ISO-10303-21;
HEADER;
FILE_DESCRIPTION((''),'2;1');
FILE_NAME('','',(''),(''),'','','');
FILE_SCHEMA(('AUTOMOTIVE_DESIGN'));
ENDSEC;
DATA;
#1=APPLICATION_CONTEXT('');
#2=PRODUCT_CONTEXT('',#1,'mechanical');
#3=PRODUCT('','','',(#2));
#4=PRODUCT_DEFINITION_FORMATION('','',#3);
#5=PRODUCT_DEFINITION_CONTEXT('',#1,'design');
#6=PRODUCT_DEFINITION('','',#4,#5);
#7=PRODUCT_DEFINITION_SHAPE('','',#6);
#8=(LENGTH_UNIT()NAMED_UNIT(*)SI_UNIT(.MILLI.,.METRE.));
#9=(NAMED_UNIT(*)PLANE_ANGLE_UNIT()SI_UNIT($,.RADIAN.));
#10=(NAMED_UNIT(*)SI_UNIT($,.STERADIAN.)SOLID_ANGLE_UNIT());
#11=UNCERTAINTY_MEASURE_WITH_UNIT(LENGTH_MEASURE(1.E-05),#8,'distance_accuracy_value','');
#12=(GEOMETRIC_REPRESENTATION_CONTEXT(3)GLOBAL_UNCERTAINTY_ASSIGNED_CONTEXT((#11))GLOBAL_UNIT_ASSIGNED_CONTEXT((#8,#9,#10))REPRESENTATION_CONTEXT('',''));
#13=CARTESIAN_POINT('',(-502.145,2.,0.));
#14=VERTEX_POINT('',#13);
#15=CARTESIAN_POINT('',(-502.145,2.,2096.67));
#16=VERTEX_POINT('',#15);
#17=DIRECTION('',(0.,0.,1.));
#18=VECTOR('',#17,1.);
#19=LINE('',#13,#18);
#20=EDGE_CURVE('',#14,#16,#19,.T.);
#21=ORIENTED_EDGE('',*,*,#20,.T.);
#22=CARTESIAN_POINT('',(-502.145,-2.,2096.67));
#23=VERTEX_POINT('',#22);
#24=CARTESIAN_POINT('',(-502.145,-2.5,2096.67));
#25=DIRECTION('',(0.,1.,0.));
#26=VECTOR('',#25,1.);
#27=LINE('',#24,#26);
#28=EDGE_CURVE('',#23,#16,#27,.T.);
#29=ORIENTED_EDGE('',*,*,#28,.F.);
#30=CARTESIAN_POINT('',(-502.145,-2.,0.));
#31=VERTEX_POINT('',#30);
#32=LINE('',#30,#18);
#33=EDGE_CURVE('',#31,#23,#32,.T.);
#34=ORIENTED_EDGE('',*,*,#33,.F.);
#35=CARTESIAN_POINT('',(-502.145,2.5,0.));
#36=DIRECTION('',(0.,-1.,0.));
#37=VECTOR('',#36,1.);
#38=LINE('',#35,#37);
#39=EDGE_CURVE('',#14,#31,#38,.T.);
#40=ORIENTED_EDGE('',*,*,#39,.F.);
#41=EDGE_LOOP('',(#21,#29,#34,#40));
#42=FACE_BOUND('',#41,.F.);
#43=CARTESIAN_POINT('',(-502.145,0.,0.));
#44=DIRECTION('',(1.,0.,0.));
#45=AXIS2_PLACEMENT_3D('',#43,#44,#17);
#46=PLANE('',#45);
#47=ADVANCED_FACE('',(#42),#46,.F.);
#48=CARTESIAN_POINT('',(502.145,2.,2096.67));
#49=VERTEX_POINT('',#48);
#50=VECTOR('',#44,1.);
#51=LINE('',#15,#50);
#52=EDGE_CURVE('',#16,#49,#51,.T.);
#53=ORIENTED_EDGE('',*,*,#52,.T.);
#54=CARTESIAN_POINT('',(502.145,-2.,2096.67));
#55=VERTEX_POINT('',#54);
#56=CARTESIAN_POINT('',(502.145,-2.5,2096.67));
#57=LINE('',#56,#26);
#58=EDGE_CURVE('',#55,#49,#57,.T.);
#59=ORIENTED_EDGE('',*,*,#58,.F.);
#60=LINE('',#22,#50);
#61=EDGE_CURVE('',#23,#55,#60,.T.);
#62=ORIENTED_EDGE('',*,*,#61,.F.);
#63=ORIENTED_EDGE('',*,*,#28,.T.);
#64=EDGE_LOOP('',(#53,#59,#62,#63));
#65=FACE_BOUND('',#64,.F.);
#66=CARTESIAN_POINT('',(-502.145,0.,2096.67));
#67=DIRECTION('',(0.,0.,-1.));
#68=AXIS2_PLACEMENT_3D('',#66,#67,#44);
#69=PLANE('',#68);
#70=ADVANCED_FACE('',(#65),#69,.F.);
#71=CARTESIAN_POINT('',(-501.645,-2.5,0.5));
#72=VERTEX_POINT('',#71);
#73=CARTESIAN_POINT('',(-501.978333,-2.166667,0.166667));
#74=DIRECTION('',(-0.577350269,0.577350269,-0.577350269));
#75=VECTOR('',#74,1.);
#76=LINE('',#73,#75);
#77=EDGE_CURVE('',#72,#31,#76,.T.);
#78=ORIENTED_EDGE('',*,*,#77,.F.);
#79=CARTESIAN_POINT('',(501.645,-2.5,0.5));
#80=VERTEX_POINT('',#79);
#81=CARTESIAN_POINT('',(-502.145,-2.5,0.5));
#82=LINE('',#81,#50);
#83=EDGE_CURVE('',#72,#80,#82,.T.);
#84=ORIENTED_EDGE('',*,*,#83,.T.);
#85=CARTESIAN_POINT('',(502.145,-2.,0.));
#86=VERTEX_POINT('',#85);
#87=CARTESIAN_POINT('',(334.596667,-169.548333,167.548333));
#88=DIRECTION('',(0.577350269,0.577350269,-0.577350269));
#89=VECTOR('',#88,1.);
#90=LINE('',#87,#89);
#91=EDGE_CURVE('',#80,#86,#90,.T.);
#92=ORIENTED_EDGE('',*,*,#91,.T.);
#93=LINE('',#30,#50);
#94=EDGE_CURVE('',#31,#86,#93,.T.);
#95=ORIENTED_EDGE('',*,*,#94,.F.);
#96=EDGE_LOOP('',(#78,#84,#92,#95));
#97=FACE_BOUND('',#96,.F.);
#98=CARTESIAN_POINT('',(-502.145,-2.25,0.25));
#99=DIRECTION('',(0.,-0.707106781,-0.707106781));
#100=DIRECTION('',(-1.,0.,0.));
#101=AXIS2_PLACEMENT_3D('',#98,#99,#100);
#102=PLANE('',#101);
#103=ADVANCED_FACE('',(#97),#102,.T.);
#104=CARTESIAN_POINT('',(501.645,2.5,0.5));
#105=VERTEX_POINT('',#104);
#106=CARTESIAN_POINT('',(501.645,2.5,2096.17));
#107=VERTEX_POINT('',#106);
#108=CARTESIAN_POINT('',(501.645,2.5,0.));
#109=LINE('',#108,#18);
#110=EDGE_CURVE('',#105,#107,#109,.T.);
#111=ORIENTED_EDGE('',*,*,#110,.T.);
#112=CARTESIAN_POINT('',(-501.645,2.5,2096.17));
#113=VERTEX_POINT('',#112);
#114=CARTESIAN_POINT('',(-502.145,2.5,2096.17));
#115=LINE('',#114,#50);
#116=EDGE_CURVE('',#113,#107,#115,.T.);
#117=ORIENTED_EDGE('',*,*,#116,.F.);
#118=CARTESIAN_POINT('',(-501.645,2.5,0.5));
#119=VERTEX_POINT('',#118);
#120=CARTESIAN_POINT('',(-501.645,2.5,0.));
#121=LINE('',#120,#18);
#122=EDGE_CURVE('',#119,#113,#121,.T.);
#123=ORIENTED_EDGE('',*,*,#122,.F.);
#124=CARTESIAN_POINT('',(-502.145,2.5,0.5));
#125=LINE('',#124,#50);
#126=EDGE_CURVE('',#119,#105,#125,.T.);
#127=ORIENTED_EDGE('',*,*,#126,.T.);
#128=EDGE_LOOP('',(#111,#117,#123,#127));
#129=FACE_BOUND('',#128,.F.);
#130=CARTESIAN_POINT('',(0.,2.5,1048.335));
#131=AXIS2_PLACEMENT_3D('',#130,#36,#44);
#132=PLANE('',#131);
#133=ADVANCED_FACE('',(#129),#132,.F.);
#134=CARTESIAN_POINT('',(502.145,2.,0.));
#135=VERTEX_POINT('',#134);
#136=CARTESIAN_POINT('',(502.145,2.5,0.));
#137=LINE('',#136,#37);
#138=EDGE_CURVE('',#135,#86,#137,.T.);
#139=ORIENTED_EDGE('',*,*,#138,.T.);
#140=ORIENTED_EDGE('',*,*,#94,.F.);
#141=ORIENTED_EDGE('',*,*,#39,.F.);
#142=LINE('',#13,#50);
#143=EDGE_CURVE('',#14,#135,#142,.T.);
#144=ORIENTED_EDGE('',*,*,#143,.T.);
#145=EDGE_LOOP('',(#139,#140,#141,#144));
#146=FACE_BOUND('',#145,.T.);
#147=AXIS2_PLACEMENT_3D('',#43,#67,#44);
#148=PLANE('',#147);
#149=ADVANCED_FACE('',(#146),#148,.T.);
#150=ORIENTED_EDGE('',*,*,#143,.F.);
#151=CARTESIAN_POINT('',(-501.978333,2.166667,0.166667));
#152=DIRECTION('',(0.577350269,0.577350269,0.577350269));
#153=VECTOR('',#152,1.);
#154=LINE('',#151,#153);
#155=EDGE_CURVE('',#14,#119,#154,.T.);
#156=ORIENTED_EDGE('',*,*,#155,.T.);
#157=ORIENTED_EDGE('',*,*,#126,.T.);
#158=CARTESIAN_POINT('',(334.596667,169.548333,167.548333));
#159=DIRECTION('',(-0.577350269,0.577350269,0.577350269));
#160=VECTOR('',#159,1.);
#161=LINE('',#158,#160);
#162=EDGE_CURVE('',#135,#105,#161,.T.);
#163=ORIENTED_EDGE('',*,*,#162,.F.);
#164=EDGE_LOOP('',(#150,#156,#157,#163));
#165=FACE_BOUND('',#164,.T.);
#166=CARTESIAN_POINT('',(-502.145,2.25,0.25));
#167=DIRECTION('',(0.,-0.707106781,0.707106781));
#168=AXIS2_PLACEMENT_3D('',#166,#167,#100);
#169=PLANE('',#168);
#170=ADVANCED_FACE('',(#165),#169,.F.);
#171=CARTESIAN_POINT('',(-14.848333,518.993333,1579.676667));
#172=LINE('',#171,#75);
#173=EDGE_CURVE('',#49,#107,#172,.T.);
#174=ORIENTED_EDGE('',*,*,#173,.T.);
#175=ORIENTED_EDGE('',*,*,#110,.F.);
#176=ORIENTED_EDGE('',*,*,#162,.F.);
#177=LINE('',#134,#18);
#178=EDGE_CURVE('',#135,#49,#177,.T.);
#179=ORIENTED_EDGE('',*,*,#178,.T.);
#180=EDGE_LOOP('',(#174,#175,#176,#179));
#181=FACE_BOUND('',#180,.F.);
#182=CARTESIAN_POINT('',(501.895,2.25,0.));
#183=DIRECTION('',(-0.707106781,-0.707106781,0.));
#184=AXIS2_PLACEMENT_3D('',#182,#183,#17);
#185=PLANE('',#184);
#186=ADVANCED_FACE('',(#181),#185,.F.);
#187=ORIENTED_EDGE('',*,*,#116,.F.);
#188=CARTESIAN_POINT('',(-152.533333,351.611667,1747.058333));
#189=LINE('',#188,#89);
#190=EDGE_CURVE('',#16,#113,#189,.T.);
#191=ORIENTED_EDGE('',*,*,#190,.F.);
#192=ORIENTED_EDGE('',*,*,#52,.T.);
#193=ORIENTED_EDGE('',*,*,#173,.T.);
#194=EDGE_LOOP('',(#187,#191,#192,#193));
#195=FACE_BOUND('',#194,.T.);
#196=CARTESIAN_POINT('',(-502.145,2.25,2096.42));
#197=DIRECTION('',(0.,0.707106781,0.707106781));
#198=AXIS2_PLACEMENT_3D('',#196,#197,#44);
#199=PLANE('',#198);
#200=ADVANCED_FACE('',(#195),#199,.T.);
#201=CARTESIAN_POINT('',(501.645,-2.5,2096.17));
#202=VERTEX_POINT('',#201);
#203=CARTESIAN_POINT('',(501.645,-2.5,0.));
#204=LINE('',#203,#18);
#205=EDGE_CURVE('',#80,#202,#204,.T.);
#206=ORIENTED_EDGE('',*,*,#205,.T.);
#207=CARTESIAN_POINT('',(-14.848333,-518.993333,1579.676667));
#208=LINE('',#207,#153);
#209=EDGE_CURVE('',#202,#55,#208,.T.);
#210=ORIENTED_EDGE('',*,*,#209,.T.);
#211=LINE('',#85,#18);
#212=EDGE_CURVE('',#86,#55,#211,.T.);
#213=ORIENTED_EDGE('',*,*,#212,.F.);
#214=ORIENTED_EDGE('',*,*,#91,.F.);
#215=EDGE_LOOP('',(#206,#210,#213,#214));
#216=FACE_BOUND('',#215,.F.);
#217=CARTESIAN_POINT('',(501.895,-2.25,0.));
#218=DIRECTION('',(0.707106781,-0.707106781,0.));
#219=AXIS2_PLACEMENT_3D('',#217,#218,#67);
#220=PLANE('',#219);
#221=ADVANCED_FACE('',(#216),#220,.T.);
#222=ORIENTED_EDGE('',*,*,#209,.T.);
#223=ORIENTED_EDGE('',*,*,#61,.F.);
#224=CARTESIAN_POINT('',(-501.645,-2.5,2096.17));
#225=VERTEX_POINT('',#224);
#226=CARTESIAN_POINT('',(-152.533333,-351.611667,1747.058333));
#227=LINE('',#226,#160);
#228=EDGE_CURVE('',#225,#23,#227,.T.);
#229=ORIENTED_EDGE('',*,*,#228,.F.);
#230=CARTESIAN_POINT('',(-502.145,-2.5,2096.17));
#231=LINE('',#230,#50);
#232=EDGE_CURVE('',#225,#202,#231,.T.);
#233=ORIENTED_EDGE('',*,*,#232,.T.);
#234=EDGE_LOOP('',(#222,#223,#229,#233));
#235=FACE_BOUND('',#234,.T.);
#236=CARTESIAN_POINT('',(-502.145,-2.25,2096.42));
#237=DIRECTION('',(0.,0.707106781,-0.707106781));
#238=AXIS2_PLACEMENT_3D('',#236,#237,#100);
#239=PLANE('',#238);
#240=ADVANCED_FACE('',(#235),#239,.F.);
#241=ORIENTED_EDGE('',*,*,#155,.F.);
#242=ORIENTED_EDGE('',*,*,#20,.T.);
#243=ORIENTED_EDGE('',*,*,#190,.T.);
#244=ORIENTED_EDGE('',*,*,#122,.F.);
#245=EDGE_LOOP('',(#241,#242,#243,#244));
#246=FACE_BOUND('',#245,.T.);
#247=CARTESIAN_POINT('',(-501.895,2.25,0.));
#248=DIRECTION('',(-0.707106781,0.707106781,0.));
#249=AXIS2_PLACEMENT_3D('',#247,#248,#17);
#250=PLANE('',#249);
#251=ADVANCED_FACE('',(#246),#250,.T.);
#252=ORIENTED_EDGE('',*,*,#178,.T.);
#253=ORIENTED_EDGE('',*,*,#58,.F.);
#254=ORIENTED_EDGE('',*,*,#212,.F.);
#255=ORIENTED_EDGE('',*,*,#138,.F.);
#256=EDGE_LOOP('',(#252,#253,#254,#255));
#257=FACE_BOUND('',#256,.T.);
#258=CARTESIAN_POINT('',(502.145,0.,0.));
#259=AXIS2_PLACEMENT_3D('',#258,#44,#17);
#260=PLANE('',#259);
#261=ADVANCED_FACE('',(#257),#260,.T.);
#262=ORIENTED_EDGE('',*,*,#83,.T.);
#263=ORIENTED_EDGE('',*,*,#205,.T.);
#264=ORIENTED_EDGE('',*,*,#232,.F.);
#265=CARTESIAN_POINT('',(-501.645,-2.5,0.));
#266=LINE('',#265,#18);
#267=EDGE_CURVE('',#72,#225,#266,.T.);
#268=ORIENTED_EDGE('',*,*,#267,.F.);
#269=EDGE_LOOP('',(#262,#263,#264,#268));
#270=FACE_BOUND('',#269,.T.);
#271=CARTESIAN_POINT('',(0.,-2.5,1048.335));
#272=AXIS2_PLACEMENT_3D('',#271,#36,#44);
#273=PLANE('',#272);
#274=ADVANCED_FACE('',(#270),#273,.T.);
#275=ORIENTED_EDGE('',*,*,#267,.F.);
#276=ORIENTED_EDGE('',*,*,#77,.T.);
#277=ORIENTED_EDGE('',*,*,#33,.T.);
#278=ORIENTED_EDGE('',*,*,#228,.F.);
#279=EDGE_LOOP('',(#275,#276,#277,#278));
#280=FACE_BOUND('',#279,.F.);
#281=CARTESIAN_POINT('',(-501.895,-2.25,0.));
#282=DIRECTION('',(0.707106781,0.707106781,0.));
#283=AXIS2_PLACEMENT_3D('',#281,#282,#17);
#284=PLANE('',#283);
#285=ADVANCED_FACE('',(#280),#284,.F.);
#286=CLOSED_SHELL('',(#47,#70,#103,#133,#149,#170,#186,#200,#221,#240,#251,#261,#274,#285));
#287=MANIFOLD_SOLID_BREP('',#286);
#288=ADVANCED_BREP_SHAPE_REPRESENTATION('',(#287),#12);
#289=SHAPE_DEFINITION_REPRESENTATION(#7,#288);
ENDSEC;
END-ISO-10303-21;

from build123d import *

# Parameters (mm, degrees)
F0_W     = 1004.29
F0_H     = 2096.67
F1_DEPTH = 2.5
F2_SIZE2 = 0.5
F2_SIZE  = 0.5


with BuildPart() as f1:
    # F0 (on Front) → F1 (new body, symmetric)
    with BuildSketch(Plane.XZ):
        with Locations((0, 1048.335)):
            Rectangle(F0_W, F0_H)
    extrude(amount=F1_DEPTH, both=True)

    # F2
    f2_edges = [f1.edges().sort_by_distance(p)[0] for p in [
        (0, -2.5, 0),
        (502.145, -2.5, 1048.335),
        (0, -2.5, 2096.67),
        (-502.145, -2.5, 1048.335),
        (-502.145, 2.5, 1048.335),
        (0, 2.5, 2096.67),
        (502.145, 2.5, 1048.335),
        (0, 2.5, 0),
    ]]
    chamfer(f2_edges, length=F2_SIZE, length2=F2_SIZE2)


solid = f1.part
